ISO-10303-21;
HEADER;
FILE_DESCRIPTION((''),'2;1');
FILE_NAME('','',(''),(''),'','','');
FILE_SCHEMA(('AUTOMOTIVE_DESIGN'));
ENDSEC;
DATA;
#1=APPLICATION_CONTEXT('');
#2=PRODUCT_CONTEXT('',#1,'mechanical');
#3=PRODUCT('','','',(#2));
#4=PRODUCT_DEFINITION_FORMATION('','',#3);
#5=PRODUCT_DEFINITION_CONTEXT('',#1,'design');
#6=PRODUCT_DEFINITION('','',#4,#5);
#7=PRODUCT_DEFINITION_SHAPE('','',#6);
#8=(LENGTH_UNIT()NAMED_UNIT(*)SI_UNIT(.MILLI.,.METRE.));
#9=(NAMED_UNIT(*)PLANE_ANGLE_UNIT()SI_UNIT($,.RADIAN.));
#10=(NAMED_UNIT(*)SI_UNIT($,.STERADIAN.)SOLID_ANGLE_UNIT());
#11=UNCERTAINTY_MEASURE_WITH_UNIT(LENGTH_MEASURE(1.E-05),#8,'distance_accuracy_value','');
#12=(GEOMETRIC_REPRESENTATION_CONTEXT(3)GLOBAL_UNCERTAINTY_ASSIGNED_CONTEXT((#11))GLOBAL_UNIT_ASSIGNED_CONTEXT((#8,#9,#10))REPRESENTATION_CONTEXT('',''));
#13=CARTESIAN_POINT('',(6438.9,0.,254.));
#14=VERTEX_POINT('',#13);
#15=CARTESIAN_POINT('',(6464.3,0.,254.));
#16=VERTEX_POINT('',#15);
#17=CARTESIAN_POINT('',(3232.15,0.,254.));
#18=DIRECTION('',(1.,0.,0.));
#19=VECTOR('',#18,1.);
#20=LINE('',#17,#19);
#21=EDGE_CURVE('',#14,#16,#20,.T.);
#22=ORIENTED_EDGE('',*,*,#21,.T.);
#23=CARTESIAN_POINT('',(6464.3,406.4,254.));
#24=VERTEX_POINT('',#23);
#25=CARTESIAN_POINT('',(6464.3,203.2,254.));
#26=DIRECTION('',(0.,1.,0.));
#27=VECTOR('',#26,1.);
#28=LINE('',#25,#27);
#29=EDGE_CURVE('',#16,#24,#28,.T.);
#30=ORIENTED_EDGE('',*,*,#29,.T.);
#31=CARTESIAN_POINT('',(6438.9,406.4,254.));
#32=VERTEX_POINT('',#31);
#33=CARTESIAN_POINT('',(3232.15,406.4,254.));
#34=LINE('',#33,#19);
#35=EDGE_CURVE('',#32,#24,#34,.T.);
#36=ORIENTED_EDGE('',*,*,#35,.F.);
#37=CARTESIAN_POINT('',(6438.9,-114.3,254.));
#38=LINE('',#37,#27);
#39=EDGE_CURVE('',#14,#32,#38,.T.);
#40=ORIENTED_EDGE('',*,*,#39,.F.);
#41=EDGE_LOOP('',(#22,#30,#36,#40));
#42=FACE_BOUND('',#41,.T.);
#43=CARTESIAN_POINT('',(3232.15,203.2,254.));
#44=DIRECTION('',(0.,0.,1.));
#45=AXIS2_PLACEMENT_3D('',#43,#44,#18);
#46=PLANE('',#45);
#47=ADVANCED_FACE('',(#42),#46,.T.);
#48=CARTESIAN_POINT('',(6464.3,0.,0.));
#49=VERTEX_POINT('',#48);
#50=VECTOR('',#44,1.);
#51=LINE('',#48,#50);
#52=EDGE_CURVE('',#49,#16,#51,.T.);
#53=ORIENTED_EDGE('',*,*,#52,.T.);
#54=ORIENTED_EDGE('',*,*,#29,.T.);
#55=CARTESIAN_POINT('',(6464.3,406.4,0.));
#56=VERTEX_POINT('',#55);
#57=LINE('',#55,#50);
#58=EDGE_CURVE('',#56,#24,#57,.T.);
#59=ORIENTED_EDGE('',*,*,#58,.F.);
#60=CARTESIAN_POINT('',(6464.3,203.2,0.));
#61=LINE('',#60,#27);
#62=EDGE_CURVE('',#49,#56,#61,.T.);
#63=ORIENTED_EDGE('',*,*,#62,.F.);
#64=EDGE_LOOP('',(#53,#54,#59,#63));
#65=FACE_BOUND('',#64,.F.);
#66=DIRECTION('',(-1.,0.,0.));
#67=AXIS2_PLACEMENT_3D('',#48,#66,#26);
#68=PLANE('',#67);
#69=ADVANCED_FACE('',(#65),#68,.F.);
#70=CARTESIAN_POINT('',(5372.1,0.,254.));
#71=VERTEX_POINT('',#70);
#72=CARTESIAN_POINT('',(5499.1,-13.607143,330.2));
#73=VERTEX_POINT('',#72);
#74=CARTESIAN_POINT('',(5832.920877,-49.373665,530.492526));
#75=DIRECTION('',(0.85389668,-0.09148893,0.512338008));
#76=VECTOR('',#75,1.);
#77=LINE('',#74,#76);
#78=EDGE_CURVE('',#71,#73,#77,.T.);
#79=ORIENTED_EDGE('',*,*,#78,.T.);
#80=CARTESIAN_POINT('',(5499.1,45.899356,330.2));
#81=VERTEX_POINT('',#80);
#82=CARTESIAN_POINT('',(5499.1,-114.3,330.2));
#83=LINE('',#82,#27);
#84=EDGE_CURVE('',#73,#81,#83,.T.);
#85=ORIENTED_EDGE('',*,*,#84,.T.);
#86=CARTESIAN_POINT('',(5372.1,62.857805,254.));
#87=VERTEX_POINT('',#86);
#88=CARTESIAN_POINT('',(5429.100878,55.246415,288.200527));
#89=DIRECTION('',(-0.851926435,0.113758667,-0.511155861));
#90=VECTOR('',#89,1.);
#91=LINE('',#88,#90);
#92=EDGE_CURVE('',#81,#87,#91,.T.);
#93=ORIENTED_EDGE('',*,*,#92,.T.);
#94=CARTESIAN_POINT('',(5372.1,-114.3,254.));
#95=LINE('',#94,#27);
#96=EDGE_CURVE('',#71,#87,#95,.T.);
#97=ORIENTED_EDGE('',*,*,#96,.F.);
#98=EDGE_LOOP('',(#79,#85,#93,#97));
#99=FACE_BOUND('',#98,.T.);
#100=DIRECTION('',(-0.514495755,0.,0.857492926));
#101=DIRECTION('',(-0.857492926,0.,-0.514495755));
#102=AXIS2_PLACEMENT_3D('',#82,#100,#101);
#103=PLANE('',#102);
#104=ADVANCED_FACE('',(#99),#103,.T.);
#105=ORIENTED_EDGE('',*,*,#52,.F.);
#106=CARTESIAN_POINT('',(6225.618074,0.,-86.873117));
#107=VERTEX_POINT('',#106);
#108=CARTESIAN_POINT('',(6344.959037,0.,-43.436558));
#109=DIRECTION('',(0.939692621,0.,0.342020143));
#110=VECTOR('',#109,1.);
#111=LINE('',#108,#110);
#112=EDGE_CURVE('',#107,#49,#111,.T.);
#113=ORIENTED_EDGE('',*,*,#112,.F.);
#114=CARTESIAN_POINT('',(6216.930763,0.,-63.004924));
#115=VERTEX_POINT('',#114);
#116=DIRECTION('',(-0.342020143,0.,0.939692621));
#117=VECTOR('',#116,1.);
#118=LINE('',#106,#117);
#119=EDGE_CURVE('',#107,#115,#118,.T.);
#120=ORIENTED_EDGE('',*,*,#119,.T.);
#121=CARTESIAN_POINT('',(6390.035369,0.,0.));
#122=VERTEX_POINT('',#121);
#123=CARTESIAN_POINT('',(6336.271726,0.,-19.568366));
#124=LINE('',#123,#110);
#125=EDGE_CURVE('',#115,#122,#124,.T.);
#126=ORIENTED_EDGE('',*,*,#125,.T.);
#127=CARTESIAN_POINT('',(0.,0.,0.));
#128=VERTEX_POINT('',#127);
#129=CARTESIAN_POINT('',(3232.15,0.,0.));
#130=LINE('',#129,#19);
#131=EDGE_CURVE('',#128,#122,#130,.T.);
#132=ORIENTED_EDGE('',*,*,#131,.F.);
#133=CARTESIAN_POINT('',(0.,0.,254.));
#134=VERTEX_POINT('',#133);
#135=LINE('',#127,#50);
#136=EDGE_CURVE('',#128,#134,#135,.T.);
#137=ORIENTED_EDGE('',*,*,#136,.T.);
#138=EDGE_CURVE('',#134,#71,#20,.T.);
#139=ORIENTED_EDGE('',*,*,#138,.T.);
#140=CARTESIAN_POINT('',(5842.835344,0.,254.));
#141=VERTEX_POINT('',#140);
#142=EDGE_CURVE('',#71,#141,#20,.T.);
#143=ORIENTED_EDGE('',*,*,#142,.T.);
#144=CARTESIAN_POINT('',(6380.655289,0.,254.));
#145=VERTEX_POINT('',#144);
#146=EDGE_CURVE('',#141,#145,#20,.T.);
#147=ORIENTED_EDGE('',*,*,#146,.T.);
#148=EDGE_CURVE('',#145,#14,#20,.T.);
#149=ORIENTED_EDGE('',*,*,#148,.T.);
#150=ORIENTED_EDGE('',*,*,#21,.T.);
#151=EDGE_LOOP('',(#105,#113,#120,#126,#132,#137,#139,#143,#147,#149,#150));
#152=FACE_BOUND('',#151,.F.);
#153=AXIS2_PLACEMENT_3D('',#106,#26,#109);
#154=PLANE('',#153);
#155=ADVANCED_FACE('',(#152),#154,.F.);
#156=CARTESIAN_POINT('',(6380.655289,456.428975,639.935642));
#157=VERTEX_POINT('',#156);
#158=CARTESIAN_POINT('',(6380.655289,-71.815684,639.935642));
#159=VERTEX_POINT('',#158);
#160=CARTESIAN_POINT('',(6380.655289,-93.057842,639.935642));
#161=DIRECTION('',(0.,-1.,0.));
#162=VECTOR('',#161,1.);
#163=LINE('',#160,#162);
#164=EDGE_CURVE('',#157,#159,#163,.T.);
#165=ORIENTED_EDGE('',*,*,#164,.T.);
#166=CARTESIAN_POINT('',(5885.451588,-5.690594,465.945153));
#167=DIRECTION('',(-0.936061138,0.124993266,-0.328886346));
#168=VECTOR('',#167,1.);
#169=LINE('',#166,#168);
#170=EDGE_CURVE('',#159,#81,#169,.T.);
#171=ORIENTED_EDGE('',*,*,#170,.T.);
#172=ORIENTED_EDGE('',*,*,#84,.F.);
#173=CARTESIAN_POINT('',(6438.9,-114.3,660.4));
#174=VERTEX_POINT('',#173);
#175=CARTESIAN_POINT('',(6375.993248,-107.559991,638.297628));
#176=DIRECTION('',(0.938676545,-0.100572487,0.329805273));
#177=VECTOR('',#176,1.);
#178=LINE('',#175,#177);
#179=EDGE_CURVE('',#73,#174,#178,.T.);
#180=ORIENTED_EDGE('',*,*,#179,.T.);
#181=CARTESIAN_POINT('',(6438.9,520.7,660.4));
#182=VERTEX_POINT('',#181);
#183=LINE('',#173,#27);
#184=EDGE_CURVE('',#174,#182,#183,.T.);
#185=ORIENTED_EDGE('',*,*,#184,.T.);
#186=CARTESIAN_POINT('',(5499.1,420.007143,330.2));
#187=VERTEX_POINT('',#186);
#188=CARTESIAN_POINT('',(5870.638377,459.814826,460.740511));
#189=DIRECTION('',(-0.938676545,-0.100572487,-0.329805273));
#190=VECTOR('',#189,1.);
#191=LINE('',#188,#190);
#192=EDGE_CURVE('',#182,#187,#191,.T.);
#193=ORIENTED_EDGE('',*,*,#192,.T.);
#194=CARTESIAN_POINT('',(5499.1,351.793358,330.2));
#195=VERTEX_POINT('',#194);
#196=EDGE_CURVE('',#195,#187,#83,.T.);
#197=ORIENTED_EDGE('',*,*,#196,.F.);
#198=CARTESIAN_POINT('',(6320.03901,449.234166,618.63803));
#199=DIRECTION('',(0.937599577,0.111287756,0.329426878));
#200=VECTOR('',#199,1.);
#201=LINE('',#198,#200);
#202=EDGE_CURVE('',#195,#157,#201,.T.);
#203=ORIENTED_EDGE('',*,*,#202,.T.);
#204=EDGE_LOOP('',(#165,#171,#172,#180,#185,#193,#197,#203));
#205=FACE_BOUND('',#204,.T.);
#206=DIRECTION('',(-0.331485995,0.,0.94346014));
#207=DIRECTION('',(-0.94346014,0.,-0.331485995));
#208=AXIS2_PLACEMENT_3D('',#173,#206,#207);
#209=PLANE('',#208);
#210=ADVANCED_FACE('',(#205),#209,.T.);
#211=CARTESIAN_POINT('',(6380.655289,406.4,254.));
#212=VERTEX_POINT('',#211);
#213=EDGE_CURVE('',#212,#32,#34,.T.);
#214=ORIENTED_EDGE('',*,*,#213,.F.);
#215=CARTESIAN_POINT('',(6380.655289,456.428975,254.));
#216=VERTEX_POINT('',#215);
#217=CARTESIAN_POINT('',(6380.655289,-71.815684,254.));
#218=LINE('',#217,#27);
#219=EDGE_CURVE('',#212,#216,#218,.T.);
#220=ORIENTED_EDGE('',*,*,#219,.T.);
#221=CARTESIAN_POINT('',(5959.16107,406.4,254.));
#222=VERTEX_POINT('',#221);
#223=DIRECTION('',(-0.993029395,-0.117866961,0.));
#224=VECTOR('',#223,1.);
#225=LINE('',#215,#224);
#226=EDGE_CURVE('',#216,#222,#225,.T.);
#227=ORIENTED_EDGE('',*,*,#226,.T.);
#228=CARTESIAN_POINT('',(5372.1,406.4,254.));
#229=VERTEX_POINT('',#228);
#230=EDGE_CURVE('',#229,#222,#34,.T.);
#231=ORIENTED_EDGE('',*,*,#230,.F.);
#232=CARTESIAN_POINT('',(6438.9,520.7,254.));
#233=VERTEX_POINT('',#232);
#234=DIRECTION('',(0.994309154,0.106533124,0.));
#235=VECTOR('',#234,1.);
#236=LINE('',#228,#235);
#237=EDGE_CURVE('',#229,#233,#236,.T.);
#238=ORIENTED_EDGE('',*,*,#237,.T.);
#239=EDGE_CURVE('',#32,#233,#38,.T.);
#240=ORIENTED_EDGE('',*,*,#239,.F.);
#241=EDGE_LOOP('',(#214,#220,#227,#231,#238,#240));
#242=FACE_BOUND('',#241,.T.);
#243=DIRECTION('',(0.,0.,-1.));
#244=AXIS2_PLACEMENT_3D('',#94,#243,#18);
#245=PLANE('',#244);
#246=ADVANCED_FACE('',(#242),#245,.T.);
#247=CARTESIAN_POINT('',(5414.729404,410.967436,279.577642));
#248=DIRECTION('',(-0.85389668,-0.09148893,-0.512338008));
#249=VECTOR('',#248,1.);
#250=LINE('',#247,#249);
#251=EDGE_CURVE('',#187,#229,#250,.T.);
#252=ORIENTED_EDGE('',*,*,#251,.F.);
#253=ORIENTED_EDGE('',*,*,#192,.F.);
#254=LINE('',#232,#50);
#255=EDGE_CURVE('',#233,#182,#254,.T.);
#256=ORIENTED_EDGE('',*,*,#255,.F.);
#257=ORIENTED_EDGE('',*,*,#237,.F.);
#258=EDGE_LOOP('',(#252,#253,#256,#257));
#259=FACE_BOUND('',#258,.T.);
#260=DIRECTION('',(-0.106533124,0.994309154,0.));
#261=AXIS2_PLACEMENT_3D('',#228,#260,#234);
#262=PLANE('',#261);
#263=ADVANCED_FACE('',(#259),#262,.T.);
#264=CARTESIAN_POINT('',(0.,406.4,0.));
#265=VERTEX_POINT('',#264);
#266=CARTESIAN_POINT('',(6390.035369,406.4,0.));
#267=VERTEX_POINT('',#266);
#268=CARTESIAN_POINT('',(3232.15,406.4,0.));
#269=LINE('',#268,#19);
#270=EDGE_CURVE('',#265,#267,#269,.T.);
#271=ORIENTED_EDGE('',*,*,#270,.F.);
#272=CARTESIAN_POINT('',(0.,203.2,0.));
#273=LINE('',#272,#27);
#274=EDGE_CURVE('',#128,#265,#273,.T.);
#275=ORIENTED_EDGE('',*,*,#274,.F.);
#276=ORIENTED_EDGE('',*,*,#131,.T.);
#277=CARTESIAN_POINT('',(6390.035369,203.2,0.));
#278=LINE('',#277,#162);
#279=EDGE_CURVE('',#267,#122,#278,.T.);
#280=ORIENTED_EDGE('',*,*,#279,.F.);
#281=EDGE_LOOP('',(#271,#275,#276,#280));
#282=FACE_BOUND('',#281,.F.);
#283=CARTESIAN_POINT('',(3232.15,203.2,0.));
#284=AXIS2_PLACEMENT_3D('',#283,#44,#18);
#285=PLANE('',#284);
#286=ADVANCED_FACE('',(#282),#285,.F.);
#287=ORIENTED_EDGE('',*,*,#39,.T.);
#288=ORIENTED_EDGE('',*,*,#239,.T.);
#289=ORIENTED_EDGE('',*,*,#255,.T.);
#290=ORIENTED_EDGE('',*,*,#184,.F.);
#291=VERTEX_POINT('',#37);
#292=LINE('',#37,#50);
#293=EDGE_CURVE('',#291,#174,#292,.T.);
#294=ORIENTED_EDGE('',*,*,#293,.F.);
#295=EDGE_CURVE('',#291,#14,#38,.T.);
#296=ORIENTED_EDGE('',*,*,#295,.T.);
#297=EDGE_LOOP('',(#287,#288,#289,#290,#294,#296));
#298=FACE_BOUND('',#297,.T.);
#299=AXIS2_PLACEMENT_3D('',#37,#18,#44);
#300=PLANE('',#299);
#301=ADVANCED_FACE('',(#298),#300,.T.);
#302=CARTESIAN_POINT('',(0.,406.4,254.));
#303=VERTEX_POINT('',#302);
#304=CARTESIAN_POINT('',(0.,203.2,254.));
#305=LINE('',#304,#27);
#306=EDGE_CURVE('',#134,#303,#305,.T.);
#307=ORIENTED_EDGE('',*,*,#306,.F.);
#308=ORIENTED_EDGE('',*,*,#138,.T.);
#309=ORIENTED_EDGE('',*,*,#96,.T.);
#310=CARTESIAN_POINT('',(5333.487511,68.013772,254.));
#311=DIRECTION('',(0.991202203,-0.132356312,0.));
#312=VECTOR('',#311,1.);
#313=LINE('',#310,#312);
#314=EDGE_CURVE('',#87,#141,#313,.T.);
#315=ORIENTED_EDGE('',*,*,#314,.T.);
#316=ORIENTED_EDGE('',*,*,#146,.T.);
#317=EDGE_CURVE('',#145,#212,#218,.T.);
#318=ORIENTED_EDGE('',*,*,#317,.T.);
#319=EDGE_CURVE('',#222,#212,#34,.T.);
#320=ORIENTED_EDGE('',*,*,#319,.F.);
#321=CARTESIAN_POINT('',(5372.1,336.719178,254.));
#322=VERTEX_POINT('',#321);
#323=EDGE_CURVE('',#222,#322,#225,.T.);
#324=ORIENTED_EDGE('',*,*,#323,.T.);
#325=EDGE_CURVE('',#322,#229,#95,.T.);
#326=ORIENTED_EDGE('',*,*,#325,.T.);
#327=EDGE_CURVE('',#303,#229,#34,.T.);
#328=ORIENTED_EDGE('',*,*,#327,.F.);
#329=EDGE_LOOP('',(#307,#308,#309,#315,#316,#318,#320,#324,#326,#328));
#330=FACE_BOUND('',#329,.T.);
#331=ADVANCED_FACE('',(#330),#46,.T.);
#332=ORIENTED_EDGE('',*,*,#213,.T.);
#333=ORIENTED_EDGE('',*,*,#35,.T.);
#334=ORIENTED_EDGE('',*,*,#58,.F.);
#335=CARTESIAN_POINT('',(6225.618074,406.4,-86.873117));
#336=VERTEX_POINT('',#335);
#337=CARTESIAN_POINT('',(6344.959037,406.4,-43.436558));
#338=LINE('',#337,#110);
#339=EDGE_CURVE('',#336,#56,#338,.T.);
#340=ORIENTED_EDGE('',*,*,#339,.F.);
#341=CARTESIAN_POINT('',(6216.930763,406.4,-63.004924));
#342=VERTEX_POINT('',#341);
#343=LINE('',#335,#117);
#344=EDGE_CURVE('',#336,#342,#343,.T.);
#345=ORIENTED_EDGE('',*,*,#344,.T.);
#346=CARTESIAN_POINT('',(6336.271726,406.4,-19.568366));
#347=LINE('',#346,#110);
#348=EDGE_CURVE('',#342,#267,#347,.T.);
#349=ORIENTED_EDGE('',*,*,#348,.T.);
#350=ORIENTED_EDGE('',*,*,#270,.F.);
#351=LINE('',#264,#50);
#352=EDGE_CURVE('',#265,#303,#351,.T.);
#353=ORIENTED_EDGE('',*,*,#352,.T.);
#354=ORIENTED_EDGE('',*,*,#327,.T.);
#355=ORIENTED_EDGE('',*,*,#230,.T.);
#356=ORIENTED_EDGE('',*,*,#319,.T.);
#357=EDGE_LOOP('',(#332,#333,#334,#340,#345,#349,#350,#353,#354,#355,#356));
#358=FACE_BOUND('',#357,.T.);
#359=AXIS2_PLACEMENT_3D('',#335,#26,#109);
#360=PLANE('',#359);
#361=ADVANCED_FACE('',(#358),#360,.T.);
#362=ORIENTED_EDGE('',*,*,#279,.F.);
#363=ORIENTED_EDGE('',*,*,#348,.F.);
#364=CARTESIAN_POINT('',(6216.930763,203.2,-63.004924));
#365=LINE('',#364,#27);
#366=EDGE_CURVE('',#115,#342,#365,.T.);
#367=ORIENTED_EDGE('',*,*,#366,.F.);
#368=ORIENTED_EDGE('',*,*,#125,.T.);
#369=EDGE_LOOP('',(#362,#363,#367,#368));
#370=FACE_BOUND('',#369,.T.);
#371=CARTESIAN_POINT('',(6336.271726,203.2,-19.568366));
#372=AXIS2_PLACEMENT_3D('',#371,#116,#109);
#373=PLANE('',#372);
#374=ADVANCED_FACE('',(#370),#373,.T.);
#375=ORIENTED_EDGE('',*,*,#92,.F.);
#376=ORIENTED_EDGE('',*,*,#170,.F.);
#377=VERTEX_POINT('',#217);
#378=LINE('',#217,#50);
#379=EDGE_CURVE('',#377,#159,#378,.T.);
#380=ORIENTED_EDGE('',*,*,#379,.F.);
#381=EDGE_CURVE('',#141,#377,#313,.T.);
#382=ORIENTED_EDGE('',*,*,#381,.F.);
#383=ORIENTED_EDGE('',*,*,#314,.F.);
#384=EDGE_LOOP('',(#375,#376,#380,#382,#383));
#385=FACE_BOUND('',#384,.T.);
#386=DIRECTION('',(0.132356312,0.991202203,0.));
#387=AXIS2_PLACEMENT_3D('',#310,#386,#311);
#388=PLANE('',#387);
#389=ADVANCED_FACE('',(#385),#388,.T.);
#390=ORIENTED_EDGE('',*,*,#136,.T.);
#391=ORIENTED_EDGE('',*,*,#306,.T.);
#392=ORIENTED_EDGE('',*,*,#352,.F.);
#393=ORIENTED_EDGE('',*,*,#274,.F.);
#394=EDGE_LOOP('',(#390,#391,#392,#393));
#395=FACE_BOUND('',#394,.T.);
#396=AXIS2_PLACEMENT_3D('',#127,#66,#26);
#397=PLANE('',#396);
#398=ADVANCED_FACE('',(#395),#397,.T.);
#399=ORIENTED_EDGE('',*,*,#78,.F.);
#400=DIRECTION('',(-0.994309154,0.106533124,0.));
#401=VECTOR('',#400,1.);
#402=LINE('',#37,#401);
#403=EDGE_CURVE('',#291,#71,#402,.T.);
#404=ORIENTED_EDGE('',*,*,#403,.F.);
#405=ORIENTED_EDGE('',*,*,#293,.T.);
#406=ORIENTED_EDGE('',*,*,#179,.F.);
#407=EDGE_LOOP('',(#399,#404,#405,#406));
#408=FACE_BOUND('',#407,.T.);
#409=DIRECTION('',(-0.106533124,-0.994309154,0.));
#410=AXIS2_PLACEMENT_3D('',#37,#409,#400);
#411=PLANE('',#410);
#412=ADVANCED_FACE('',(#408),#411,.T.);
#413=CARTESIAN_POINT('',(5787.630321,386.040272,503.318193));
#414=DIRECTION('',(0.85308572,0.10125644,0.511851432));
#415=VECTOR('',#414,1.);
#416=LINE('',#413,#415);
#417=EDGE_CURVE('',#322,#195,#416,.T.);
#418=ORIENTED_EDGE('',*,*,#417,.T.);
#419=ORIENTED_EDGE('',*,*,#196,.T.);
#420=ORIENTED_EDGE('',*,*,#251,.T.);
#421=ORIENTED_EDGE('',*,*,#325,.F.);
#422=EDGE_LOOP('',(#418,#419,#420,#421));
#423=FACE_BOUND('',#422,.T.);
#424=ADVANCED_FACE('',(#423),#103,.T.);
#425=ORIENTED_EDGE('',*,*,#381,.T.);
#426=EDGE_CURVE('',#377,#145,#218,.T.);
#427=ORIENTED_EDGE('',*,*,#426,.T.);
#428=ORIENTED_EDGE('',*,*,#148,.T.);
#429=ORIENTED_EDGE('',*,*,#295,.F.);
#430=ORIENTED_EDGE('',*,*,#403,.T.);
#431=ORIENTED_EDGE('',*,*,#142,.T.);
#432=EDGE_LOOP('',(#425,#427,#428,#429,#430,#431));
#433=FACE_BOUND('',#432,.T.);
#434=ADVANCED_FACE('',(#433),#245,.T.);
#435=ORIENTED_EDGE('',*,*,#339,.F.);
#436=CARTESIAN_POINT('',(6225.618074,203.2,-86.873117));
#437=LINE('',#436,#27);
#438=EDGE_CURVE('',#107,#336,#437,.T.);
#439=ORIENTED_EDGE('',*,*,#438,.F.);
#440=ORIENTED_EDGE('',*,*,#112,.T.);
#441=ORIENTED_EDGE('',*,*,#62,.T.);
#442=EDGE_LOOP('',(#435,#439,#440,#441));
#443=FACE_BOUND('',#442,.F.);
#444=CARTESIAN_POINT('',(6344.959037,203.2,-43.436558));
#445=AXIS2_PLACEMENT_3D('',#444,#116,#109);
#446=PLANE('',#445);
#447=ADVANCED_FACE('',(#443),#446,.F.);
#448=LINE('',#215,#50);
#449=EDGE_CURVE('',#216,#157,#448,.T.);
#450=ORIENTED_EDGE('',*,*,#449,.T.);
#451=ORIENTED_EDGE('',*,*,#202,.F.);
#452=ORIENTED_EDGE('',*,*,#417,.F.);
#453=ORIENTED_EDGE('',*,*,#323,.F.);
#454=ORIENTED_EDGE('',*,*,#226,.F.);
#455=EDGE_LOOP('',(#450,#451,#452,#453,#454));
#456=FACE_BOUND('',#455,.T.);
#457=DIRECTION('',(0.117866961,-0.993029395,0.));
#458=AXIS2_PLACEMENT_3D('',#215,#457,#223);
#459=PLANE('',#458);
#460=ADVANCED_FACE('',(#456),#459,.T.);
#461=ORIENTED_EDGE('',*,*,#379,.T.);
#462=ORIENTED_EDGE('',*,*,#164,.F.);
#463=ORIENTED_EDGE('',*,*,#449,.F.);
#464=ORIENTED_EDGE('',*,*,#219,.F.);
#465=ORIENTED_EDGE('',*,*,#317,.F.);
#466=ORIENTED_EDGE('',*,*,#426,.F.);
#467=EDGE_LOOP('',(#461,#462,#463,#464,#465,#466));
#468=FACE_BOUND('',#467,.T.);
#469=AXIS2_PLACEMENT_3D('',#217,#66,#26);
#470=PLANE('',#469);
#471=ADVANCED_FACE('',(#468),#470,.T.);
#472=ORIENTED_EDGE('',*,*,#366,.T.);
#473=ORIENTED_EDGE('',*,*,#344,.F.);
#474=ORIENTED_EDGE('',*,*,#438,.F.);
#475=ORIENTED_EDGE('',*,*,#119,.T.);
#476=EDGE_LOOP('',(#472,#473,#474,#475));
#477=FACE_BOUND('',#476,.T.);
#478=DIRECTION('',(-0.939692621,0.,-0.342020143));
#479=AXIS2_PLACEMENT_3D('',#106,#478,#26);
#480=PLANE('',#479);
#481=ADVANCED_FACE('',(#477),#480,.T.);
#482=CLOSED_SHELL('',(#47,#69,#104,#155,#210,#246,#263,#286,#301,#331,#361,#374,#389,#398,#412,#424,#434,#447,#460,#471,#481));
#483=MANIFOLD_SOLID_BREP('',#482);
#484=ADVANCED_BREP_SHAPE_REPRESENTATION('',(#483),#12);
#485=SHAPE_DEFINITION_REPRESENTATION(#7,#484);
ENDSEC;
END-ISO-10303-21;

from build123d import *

# Parameters (mm, degrees)
F0_W      = 6464.3
F0_H      = 406.4
F1_DEPTH  = 254
F4_DEPTH  = 635
F6_DEPTH  = 406.401
F8_DEPTH  = 406.401
F10_W     = 254
F10_H     = 406.4
F11_DEPTH = 25.4


with BuildPart() as f1:
    # F0 (on Top) → F1 (new body)
    with BuildSketch(Plane.XY):
        with Locations((3232.15, 203.2)):
            Rectangle(F0_W, F0_H)
    extrude(amount=F1_DEPTH)

    # F3 (on offset) → F4 (join)
    with BuildSketch(Plane.XZ.offset(114.3)):
        Polygon((6438.9, 254), (6438.9, 660.4), (5499.1, 330.2), (5372.1, 254), align=None)
    extrude(amount=-F4_DEPTH)

    # F5 (on face) → F6 (cut, through all)
    with BuildSketch(Plane.XY.offset(254)):
        Polygon((5372.1, 520.7), (5372.1, 406.4), (6438.9, 520.7), align=None)
        Polygon((6438.9, -114.3), (5372.1, 0), (5372.1, -114.3), align=None)
    extrude(amount=F6_DEPTH, mode=Mode.SUBTRACT)

    # F7 (on face) → F8 (cut, through all)
    with BuildSketch(Plane.XY.offset(254)):
        Polygon((6380.6552886963, 456.4289748669), (5333.4875106812, 332.1360945702), (5333.4875106812, 68.0137723684), (6380.6552886963, -71.8156844378), align=None)
    extrude(amount=F8_DEPTH, mode=Mode.SUBTRACT)

    # F10 (on face) → F11 (join)
    with BuildSketch(Plane(origin=(756.179453173, 0, -2077.5859726483), x_dir=(0.9396926208, 0, 0.3420201433), z_dir=(-0.3420201433, 0, 0.9396926208))):
        with Locations((5947.4550085463, 203.2)):
            Rectangle(F10_W, F10_H)
    extrude(amount=F11_DEPTH)


solid = f1.part
